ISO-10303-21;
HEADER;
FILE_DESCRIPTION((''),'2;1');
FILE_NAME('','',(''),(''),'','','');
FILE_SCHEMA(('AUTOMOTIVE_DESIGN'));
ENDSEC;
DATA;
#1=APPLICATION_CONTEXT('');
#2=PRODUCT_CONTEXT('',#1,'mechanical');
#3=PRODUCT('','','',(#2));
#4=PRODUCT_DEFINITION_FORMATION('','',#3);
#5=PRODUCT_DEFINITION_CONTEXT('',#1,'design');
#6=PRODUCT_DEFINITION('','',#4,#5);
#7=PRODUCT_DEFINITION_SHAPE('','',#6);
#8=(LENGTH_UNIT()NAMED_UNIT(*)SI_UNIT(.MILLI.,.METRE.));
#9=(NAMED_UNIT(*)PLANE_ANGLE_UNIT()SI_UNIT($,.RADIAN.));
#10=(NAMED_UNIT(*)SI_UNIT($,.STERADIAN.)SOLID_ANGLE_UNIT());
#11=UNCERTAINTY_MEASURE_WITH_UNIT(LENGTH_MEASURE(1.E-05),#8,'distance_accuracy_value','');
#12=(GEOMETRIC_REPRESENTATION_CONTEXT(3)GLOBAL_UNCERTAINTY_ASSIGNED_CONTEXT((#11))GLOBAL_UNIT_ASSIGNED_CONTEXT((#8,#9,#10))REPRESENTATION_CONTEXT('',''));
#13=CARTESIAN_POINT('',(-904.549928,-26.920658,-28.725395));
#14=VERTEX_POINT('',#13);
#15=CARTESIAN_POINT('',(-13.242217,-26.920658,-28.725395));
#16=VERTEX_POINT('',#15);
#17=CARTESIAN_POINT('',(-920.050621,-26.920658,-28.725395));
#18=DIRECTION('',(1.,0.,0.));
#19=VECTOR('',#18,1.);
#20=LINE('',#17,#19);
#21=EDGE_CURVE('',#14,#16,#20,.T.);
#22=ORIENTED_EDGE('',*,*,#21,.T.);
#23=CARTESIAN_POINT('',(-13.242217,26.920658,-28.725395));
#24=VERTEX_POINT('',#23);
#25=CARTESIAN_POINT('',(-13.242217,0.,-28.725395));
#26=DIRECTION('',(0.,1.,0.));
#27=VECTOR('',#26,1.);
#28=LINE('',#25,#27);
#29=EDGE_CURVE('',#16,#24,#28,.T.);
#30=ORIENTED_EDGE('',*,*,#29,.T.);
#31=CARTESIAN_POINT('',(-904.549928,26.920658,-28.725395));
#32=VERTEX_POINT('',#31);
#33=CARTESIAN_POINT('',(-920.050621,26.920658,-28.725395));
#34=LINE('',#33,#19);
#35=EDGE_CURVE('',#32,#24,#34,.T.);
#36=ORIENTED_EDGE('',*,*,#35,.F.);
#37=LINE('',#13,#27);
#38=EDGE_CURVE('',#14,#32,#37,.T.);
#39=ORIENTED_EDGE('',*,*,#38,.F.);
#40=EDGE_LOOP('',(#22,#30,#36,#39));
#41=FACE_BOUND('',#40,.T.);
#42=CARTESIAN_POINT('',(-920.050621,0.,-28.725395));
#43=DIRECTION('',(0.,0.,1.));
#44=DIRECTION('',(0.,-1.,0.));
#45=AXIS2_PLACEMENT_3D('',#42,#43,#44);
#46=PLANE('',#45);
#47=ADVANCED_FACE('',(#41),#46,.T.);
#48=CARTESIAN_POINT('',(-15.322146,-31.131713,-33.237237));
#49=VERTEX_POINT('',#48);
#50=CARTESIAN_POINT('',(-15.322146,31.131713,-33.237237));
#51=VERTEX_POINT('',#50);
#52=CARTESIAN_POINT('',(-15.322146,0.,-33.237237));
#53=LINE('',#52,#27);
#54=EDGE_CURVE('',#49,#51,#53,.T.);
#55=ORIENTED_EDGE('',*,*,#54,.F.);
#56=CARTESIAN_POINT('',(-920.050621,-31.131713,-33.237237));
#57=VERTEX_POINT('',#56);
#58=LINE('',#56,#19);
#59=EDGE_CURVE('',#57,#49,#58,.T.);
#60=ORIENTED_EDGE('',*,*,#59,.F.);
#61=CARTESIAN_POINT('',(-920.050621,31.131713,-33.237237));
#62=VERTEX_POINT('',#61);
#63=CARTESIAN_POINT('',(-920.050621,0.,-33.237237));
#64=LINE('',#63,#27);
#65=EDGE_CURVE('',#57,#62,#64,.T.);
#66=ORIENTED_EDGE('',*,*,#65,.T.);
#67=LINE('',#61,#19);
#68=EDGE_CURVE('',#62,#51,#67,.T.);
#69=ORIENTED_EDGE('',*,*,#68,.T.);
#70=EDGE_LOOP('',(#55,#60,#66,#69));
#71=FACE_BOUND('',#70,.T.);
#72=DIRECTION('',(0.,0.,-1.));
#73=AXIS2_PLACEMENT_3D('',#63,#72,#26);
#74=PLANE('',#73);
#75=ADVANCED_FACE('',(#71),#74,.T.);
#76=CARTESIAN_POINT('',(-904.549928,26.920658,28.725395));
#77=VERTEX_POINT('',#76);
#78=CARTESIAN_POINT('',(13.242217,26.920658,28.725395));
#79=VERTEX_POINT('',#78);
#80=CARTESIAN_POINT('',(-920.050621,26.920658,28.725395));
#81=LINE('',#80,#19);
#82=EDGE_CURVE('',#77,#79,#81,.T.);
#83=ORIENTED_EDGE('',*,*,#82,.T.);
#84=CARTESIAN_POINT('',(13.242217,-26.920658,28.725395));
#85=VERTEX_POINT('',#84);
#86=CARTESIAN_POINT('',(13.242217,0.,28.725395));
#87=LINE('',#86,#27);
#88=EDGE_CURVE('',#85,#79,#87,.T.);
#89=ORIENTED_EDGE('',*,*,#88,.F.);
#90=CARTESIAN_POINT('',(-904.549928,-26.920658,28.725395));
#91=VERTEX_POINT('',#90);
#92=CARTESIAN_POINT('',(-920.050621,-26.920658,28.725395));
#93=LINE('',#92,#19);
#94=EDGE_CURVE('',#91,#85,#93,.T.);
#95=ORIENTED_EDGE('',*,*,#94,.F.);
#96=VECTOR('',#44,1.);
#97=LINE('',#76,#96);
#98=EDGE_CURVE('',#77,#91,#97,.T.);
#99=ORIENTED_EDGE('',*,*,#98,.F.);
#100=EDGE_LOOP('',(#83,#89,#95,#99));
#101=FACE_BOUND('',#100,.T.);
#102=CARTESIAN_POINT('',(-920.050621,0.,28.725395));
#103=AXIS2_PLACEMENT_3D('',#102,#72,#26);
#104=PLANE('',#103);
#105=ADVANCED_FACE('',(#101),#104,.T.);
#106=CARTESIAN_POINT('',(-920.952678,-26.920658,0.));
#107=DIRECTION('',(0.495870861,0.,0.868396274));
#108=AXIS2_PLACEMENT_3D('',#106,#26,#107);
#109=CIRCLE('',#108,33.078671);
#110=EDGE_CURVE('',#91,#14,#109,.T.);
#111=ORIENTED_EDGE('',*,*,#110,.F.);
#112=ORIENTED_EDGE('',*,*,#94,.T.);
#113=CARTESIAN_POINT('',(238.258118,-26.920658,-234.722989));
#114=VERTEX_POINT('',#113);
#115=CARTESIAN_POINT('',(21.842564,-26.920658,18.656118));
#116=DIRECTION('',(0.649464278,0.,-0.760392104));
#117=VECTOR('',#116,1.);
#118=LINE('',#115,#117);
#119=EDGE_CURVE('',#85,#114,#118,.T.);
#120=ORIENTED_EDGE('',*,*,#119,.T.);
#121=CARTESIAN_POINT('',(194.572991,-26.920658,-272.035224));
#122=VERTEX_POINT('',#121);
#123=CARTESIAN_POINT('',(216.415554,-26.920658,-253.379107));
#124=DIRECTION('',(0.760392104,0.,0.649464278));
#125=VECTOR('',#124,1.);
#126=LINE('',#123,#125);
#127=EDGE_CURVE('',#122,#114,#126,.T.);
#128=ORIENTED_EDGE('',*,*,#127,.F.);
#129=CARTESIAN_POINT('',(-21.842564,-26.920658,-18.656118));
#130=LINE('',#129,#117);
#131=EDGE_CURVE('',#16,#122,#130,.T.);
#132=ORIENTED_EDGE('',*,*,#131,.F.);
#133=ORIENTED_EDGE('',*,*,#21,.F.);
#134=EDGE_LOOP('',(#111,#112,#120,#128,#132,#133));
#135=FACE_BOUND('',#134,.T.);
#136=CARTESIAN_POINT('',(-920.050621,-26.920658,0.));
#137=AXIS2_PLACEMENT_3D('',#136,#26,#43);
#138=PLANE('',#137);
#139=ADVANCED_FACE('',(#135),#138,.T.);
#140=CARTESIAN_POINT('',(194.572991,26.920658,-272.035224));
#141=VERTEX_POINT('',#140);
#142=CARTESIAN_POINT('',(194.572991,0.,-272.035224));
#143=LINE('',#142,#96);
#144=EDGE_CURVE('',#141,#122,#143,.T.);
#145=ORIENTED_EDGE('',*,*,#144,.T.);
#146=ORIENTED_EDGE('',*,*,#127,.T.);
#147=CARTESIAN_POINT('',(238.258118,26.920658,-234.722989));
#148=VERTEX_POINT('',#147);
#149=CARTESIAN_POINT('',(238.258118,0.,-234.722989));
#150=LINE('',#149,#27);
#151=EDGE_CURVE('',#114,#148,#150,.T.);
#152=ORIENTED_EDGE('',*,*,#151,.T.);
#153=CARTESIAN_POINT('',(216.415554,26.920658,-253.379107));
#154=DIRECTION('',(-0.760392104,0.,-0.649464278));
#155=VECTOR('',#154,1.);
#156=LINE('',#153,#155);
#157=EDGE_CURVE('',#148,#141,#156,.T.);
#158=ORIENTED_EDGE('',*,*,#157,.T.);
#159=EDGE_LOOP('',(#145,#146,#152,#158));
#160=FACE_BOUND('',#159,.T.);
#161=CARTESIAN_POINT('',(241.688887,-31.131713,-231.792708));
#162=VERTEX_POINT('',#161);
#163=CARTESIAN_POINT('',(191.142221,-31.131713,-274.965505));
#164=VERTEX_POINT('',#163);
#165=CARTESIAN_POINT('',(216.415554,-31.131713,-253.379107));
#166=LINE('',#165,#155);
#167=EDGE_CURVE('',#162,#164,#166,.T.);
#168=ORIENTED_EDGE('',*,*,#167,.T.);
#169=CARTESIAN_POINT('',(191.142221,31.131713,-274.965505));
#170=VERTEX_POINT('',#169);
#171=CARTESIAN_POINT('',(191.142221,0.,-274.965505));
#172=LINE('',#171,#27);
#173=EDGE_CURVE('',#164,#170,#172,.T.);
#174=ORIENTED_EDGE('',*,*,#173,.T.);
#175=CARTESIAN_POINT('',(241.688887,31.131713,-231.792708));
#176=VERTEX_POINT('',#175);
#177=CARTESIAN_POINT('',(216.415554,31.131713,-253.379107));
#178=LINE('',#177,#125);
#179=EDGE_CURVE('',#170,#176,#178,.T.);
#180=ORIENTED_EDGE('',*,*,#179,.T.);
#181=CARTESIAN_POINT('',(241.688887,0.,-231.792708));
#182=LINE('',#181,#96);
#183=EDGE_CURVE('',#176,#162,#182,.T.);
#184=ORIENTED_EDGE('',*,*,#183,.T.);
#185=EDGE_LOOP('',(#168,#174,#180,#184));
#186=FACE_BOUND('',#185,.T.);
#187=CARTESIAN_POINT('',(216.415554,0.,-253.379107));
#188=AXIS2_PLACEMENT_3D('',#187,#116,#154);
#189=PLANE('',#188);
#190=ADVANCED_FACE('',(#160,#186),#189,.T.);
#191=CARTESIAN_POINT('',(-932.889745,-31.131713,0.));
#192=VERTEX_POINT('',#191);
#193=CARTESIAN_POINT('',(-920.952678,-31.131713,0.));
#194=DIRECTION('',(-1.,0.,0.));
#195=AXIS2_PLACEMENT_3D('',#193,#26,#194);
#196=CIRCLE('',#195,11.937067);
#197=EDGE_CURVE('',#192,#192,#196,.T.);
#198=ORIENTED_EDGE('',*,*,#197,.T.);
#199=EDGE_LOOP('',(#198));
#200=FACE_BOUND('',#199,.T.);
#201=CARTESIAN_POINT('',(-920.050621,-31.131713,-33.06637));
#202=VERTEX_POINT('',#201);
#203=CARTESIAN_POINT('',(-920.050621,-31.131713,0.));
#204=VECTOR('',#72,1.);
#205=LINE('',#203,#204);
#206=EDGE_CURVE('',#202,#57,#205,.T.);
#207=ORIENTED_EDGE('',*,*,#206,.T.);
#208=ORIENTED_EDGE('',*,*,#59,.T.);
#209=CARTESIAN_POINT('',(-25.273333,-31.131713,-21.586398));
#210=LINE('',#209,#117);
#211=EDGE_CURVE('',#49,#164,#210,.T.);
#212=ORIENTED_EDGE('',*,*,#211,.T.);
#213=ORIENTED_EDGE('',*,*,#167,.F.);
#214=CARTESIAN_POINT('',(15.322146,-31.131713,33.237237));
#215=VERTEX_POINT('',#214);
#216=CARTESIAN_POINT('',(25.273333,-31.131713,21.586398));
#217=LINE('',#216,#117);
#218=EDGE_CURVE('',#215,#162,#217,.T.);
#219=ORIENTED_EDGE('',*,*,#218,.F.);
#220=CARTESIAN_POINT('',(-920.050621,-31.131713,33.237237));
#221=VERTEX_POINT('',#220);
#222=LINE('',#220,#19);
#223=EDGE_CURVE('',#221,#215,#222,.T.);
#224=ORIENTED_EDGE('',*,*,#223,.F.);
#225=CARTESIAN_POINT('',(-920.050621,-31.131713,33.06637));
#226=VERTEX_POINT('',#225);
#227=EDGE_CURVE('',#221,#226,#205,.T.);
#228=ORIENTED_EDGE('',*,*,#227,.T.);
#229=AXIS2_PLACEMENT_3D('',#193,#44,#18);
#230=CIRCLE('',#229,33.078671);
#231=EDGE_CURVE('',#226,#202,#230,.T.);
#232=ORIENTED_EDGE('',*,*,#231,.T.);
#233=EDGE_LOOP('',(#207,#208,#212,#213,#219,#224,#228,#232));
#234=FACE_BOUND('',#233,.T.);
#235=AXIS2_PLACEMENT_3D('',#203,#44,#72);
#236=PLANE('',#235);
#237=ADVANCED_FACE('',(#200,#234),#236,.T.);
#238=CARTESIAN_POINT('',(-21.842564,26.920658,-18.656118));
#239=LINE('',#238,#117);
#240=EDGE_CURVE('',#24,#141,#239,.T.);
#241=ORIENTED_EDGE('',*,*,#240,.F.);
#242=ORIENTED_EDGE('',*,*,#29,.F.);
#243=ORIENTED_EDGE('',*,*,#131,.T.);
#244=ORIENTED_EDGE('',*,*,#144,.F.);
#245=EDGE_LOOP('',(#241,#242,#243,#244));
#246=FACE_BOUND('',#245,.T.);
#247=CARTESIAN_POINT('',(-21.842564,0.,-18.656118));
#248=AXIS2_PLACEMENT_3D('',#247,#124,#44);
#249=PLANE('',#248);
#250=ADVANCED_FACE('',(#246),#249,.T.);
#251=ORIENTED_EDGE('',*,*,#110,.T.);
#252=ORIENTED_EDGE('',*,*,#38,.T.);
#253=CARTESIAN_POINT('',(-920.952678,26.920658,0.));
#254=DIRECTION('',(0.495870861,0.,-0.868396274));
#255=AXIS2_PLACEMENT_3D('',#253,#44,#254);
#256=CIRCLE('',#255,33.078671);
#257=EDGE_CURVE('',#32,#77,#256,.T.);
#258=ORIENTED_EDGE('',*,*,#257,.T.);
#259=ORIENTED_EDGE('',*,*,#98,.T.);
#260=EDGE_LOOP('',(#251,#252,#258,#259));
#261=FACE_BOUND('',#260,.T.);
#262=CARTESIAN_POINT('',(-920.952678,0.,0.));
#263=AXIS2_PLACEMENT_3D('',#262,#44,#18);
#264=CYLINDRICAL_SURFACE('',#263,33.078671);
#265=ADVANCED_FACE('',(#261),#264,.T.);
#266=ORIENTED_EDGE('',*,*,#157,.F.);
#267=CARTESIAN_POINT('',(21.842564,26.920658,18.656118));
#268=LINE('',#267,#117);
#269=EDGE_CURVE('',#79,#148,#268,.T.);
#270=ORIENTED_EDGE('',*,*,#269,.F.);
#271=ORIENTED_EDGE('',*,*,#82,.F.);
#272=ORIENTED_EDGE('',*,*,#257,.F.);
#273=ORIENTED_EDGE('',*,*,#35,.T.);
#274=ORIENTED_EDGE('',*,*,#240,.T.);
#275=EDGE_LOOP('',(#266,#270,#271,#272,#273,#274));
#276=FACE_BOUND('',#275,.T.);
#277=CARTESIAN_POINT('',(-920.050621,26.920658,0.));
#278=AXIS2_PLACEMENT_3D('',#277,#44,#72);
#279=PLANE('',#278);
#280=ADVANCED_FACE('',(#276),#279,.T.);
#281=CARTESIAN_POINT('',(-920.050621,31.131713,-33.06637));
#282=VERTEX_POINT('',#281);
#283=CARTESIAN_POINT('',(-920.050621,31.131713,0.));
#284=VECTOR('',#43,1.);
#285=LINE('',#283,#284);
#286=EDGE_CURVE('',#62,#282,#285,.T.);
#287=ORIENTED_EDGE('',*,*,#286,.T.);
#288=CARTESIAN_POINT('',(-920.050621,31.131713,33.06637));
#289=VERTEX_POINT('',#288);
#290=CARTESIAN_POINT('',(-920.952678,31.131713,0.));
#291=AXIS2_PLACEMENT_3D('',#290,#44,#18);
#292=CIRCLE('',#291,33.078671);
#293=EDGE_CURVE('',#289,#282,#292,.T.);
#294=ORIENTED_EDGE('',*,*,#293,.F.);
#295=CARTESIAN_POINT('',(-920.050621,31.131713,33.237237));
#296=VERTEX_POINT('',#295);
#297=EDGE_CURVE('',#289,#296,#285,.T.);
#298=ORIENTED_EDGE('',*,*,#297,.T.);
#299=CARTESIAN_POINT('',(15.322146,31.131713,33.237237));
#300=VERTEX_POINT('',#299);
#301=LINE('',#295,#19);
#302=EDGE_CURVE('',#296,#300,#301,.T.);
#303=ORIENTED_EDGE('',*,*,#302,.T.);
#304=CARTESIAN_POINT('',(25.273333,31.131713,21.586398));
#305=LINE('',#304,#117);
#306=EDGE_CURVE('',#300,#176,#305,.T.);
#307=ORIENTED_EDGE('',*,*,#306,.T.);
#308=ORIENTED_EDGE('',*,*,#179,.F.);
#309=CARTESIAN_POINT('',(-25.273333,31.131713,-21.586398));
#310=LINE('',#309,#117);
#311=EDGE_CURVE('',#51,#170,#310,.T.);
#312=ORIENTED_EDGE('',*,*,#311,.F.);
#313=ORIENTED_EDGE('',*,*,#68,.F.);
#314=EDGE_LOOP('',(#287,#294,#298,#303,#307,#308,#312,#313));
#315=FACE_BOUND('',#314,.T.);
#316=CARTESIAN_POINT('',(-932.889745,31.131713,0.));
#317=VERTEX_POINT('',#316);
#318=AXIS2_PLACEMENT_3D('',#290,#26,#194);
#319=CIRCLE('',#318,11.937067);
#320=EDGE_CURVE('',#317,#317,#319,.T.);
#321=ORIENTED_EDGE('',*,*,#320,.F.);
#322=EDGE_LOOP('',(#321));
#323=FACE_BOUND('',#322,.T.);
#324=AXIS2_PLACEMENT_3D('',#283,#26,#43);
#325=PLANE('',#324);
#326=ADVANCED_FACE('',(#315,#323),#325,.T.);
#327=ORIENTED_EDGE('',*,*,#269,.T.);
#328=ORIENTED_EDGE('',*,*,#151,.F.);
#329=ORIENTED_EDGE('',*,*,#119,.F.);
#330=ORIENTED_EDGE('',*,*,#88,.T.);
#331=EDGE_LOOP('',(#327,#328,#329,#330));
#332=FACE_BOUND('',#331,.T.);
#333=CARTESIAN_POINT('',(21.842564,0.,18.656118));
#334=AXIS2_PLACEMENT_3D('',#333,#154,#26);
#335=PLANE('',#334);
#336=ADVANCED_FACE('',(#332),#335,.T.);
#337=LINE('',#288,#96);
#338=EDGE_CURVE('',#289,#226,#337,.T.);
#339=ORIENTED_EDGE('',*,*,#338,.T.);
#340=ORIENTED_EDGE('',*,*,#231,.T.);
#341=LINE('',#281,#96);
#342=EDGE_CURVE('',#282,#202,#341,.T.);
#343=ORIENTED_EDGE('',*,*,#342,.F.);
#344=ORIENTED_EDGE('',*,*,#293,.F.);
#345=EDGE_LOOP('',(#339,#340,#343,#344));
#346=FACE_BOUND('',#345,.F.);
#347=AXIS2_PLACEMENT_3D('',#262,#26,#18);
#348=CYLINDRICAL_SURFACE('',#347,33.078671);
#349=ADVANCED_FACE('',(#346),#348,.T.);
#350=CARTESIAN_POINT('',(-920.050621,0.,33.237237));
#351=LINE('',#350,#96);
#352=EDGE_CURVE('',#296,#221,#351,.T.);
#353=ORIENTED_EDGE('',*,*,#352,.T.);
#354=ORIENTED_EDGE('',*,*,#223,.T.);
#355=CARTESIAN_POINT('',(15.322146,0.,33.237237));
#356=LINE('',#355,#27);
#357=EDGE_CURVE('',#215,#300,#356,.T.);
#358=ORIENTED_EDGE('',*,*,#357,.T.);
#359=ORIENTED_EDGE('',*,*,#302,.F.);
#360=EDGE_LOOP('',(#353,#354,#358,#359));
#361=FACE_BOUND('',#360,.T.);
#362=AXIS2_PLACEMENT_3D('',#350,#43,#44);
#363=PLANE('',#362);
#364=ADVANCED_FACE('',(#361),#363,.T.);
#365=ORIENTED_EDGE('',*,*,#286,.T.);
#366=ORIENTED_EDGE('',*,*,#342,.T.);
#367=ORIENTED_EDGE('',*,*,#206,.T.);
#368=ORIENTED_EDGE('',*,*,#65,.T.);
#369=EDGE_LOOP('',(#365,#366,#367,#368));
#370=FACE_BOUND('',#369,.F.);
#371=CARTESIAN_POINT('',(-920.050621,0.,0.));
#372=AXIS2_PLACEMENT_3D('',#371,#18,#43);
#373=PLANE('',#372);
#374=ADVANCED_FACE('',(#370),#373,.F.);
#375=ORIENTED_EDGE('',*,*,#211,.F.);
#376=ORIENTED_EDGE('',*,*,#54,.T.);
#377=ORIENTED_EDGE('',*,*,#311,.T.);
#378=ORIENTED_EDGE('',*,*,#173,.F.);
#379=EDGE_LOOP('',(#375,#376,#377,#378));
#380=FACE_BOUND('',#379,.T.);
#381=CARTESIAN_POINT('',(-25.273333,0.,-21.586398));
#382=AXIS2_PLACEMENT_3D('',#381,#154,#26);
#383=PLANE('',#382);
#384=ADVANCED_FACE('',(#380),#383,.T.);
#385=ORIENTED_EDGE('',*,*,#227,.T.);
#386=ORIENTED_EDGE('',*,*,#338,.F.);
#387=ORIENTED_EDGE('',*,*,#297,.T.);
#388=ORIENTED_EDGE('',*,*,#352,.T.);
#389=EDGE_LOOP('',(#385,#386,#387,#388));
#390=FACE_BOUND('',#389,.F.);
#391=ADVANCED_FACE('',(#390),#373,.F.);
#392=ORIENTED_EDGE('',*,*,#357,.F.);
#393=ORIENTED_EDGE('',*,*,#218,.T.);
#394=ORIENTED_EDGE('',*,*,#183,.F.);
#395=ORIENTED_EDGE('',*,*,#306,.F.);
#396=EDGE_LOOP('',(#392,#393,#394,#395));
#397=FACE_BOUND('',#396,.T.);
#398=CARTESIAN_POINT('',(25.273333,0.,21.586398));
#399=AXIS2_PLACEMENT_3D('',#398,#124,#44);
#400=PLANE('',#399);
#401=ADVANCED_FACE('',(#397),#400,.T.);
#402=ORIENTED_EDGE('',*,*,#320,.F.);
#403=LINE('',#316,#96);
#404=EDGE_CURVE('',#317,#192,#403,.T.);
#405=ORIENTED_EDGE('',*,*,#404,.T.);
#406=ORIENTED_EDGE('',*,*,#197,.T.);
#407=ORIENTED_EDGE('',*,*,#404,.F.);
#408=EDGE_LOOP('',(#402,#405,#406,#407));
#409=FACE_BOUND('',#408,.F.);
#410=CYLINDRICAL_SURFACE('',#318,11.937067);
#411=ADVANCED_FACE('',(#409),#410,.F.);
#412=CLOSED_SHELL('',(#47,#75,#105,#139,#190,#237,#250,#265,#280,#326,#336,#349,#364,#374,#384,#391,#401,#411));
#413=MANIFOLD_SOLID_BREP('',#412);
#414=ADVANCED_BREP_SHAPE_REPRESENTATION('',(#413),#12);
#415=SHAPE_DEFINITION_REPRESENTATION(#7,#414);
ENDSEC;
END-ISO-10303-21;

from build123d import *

# Parameters (mm, degrees)
F2_W          = 62.2634254396
F2_H          = 66.4744749665
F2_W_2        = 53.8413152099
F2_H_2        = 57.4507899582
F4_R          = 33.0786713832
F5_DEPTH      = 31.1317127198
F5_DEPTH_BACK = 31.1317127198
F6_R          = 11.9370670554
F7_DEPTH      = 62.2634254396


with BuildPart() as f3:
    # F3: sweep along a path in F0
    with BuildLine(Plane.XZ) as f3_path:
        Line((-920.0506210327, 0), (0, 0))
        Line((0, 0), (216.415554285, -253.3791065216))
    # F2 (on plane+point) → F3 (sweep)
    with BuildSketch(Plane.YZ.offset(-920.0506210327)):
        Rectangle(F2_W, F2_H)
        Rectangle(F2_W_2, F2_H_2, mode=Mode.SUBTRACT)
    sweep(path=f3_path.line, transition=Transition.RIGHT)

    # F4 (on Front) → F5 (join, two sides)
    with BuildSketch(Plane.XZ) as f5_sk:
        with Locations((-920.9526777267, 0)):
            Circle(F4_R)
    extrude(amount=F5_DEPTH)
    extrude(f5_sk.sketch, amount=-F5_DEPTH_BACK)

    # F6 (on face) → F7 (cut, through all)
    with BuildSketch(Plane(origin=(0, 31.1317127198, 0), x_dir=(-1, 0, 0), z_dir=(0, 1, 0))):
        with Locations((920.9526777267, 0)):
            Circle(F6_R)
    extrude(amount=-F7_DEPTH, mode=Mode.SUBTRACT)


solid = f3.part
